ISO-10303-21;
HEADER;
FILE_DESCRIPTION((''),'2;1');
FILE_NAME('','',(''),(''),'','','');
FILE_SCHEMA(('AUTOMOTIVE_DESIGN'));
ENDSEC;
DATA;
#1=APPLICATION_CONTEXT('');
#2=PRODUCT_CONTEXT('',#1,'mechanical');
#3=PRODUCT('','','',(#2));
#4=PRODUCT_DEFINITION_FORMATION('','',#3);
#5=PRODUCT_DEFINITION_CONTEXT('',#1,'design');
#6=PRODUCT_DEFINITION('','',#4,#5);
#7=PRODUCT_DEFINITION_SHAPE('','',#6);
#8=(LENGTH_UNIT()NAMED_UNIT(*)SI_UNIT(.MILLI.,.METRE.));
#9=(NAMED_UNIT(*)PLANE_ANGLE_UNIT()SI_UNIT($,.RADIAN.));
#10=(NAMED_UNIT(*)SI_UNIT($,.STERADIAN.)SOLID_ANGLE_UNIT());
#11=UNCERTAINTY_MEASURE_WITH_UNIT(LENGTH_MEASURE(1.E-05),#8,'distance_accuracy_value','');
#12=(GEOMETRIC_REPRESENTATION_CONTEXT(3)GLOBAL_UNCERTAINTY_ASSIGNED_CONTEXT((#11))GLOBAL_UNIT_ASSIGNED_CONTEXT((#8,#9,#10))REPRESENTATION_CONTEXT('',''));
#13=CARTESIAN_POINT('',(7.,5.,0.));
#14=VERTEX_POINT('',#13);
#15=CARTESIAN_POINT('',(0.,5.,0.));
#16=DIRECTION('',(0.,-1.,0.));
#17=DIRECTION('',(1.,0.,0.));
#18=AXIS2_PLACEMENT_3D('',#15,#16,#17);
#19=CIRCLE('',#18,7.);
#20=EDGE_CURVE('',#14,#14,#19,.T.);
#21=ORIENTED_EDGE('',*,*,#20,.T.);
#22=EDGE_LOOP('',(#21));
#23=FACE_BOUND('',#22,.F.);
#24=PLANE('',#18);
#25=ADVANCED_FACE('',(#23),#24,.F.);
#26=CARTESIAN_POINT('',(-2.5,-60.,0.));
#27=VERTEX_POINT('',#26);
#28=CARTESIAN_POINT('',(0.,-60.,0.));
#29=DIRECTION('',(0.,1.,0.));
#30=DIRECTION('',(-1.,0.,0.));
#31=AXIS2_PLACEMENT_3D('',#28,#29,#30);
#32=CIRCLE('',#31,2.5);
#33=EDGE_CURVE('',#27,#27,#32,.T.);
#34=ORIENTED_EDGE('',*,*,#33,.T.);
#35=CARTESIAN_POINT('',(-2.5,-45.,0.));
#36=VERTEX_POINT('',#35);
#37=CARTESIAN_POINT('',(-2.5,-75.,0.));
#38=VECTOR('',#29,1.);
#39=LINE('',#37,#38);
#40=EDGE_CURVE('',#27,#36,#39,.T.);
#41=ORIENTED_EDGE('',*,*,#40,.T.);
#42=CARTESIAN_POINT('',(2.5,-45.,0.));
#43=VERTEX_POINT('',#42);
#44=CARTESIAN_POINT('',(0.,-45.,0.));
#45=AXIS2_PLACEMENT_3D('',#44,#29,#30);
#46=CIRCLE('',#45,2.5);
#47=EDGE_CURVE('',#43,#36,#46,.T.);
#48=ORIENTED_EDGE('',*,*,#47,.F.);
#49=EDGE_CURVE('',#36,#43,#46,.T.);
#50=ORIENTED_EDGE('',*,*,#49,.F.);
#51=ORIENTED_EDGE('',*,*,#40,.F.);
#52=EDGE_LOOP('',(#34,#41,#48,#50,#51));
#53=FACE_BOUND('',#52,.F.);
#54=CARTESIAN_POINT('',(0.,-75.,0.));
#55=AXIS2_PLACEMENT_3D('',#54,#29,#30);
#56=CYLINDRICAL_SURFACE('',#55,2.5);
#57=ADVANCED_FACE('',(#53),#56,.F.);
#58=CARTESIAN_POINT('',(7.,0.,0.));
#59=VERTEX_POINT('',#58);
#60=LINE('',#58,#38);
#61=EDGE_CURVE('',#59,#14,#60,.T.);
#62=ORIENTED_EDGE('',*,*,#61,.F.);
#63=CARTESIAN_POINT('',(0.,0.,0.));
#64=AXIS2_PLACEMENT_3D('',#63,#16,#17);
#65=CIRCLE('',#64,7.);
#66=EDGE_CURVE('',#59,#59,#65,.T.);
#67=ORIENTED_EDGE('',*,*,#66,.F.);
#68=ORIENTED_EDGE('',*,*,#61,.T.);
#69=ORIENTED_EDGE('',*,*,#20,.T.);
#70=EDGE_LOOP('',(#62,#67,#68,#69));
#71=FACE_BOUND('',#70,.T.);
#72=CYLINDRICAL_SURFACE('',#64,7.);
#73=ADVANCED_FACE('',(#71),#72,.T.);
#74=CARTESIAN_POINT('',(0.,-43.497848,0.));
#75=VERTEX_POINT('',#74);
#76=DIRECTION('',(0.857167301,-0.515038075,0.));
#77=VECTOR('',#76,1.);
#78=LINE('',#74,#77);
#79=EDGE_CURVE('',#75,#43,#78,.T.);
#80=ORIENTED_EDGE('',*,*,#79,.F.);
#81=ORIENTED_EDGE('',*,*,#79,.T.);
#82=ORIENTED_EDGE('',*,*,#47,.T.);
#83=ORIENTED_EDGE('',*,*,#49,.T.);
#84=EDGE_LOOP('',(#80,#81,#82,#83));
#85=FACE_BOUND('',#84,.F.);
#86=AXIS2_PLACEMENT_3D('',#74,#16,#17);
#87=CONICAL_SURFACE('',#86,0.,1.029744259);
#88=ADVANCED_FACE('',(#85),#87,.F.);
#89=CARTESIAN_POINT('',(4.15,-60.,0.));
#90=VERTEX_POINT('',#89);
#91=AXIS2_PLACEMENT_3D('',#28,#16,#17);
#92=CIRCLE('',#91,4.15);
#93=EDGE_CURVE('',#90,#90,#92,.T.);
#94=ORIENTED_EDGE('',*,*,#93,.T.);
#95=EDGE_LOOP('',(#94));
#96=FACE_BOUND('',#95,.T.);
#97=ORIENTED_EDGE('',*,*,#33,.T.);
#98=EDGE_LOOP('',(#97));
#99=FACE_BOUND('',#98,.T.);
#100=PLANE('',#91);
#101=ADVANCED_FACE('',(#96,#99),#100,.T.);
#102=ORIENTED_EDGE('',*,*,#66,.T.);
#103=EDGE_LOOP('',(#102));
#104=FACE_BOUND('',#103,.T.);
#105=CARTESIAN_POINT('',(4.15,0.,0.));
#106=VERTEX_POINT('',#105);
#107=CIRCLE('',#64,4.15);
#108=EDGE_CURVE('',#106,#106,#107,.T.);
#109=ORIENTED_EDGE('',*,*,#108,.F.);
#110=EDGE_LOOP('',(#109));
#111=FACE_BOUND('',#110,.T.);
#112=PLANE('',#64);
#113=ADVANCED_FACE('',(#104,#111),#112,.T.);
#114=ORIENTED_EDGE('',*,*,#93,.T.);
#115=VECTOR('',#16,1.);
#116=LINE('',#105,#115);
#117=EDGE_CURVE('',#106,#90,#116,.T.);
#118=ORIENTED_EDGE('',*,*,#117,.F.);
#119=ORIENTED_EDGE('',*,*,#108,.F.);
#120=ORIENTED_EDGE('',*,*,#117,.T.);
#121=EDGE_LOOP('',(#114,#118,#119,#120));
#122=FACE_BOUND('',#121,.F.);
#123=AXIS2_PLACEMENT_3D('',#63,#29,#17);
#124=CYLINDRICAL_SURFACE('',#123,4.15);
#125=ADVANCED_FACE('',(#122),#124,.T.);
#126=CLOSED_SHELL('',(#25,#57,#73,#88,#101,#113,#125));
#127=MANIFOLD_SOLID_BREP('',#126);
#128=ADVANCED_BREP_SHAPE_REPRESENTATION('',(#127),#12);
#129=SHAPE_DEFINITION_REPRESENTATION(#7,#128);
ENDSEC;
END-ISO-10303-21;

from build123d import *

# Parameters (mm, degrees)
F0_R      = 4.15
F1_DEPTH  = 60
F0_R_2    = 7
F1_FACE_R = 4.15
F2_DEPTH  = 5
F4_D      = 5
F4_DEPTH  = 15
F4_TIP    = 1.5021515476


with BuildPart() as f1:
    # F0 (on Front) → F1 (new body)
    with BuildSketch(Plane.XZ):
        Circle(F0_R)
    extrude(amount=F1_DEPTH)

    # F0 (on Front) + F1_face (on face) → F2 (join)
    with BuildSketch(Plane.XZ):
        Circle(F0_R_2)
        Circle(F0_R, mode=Mode.SUBTRACT)
    with BuildSketch(Plane(origin=(0, 0, 0), x_dir=(1, 0, 0), z_dir=(0, 1, 0))):
        Circle(F1_FACE_R)
    extrude(amount=-F2_DEPTH, dir=(0, -1, 0))

    # F4
    with Locations(Plane.XZ.offset(60)):
        with Locations((0, 0)):
            Hole(F4_D / 2, depth=F4_DEPTH)
            with Locations((0, 0, -(F4_DEPTH + F4_TIP / 2))):  # 118° drill point
                Cone(0, F4_D / 2, F4_TIP, mode=Mode.SUBTRACT)


solid = f1.part
